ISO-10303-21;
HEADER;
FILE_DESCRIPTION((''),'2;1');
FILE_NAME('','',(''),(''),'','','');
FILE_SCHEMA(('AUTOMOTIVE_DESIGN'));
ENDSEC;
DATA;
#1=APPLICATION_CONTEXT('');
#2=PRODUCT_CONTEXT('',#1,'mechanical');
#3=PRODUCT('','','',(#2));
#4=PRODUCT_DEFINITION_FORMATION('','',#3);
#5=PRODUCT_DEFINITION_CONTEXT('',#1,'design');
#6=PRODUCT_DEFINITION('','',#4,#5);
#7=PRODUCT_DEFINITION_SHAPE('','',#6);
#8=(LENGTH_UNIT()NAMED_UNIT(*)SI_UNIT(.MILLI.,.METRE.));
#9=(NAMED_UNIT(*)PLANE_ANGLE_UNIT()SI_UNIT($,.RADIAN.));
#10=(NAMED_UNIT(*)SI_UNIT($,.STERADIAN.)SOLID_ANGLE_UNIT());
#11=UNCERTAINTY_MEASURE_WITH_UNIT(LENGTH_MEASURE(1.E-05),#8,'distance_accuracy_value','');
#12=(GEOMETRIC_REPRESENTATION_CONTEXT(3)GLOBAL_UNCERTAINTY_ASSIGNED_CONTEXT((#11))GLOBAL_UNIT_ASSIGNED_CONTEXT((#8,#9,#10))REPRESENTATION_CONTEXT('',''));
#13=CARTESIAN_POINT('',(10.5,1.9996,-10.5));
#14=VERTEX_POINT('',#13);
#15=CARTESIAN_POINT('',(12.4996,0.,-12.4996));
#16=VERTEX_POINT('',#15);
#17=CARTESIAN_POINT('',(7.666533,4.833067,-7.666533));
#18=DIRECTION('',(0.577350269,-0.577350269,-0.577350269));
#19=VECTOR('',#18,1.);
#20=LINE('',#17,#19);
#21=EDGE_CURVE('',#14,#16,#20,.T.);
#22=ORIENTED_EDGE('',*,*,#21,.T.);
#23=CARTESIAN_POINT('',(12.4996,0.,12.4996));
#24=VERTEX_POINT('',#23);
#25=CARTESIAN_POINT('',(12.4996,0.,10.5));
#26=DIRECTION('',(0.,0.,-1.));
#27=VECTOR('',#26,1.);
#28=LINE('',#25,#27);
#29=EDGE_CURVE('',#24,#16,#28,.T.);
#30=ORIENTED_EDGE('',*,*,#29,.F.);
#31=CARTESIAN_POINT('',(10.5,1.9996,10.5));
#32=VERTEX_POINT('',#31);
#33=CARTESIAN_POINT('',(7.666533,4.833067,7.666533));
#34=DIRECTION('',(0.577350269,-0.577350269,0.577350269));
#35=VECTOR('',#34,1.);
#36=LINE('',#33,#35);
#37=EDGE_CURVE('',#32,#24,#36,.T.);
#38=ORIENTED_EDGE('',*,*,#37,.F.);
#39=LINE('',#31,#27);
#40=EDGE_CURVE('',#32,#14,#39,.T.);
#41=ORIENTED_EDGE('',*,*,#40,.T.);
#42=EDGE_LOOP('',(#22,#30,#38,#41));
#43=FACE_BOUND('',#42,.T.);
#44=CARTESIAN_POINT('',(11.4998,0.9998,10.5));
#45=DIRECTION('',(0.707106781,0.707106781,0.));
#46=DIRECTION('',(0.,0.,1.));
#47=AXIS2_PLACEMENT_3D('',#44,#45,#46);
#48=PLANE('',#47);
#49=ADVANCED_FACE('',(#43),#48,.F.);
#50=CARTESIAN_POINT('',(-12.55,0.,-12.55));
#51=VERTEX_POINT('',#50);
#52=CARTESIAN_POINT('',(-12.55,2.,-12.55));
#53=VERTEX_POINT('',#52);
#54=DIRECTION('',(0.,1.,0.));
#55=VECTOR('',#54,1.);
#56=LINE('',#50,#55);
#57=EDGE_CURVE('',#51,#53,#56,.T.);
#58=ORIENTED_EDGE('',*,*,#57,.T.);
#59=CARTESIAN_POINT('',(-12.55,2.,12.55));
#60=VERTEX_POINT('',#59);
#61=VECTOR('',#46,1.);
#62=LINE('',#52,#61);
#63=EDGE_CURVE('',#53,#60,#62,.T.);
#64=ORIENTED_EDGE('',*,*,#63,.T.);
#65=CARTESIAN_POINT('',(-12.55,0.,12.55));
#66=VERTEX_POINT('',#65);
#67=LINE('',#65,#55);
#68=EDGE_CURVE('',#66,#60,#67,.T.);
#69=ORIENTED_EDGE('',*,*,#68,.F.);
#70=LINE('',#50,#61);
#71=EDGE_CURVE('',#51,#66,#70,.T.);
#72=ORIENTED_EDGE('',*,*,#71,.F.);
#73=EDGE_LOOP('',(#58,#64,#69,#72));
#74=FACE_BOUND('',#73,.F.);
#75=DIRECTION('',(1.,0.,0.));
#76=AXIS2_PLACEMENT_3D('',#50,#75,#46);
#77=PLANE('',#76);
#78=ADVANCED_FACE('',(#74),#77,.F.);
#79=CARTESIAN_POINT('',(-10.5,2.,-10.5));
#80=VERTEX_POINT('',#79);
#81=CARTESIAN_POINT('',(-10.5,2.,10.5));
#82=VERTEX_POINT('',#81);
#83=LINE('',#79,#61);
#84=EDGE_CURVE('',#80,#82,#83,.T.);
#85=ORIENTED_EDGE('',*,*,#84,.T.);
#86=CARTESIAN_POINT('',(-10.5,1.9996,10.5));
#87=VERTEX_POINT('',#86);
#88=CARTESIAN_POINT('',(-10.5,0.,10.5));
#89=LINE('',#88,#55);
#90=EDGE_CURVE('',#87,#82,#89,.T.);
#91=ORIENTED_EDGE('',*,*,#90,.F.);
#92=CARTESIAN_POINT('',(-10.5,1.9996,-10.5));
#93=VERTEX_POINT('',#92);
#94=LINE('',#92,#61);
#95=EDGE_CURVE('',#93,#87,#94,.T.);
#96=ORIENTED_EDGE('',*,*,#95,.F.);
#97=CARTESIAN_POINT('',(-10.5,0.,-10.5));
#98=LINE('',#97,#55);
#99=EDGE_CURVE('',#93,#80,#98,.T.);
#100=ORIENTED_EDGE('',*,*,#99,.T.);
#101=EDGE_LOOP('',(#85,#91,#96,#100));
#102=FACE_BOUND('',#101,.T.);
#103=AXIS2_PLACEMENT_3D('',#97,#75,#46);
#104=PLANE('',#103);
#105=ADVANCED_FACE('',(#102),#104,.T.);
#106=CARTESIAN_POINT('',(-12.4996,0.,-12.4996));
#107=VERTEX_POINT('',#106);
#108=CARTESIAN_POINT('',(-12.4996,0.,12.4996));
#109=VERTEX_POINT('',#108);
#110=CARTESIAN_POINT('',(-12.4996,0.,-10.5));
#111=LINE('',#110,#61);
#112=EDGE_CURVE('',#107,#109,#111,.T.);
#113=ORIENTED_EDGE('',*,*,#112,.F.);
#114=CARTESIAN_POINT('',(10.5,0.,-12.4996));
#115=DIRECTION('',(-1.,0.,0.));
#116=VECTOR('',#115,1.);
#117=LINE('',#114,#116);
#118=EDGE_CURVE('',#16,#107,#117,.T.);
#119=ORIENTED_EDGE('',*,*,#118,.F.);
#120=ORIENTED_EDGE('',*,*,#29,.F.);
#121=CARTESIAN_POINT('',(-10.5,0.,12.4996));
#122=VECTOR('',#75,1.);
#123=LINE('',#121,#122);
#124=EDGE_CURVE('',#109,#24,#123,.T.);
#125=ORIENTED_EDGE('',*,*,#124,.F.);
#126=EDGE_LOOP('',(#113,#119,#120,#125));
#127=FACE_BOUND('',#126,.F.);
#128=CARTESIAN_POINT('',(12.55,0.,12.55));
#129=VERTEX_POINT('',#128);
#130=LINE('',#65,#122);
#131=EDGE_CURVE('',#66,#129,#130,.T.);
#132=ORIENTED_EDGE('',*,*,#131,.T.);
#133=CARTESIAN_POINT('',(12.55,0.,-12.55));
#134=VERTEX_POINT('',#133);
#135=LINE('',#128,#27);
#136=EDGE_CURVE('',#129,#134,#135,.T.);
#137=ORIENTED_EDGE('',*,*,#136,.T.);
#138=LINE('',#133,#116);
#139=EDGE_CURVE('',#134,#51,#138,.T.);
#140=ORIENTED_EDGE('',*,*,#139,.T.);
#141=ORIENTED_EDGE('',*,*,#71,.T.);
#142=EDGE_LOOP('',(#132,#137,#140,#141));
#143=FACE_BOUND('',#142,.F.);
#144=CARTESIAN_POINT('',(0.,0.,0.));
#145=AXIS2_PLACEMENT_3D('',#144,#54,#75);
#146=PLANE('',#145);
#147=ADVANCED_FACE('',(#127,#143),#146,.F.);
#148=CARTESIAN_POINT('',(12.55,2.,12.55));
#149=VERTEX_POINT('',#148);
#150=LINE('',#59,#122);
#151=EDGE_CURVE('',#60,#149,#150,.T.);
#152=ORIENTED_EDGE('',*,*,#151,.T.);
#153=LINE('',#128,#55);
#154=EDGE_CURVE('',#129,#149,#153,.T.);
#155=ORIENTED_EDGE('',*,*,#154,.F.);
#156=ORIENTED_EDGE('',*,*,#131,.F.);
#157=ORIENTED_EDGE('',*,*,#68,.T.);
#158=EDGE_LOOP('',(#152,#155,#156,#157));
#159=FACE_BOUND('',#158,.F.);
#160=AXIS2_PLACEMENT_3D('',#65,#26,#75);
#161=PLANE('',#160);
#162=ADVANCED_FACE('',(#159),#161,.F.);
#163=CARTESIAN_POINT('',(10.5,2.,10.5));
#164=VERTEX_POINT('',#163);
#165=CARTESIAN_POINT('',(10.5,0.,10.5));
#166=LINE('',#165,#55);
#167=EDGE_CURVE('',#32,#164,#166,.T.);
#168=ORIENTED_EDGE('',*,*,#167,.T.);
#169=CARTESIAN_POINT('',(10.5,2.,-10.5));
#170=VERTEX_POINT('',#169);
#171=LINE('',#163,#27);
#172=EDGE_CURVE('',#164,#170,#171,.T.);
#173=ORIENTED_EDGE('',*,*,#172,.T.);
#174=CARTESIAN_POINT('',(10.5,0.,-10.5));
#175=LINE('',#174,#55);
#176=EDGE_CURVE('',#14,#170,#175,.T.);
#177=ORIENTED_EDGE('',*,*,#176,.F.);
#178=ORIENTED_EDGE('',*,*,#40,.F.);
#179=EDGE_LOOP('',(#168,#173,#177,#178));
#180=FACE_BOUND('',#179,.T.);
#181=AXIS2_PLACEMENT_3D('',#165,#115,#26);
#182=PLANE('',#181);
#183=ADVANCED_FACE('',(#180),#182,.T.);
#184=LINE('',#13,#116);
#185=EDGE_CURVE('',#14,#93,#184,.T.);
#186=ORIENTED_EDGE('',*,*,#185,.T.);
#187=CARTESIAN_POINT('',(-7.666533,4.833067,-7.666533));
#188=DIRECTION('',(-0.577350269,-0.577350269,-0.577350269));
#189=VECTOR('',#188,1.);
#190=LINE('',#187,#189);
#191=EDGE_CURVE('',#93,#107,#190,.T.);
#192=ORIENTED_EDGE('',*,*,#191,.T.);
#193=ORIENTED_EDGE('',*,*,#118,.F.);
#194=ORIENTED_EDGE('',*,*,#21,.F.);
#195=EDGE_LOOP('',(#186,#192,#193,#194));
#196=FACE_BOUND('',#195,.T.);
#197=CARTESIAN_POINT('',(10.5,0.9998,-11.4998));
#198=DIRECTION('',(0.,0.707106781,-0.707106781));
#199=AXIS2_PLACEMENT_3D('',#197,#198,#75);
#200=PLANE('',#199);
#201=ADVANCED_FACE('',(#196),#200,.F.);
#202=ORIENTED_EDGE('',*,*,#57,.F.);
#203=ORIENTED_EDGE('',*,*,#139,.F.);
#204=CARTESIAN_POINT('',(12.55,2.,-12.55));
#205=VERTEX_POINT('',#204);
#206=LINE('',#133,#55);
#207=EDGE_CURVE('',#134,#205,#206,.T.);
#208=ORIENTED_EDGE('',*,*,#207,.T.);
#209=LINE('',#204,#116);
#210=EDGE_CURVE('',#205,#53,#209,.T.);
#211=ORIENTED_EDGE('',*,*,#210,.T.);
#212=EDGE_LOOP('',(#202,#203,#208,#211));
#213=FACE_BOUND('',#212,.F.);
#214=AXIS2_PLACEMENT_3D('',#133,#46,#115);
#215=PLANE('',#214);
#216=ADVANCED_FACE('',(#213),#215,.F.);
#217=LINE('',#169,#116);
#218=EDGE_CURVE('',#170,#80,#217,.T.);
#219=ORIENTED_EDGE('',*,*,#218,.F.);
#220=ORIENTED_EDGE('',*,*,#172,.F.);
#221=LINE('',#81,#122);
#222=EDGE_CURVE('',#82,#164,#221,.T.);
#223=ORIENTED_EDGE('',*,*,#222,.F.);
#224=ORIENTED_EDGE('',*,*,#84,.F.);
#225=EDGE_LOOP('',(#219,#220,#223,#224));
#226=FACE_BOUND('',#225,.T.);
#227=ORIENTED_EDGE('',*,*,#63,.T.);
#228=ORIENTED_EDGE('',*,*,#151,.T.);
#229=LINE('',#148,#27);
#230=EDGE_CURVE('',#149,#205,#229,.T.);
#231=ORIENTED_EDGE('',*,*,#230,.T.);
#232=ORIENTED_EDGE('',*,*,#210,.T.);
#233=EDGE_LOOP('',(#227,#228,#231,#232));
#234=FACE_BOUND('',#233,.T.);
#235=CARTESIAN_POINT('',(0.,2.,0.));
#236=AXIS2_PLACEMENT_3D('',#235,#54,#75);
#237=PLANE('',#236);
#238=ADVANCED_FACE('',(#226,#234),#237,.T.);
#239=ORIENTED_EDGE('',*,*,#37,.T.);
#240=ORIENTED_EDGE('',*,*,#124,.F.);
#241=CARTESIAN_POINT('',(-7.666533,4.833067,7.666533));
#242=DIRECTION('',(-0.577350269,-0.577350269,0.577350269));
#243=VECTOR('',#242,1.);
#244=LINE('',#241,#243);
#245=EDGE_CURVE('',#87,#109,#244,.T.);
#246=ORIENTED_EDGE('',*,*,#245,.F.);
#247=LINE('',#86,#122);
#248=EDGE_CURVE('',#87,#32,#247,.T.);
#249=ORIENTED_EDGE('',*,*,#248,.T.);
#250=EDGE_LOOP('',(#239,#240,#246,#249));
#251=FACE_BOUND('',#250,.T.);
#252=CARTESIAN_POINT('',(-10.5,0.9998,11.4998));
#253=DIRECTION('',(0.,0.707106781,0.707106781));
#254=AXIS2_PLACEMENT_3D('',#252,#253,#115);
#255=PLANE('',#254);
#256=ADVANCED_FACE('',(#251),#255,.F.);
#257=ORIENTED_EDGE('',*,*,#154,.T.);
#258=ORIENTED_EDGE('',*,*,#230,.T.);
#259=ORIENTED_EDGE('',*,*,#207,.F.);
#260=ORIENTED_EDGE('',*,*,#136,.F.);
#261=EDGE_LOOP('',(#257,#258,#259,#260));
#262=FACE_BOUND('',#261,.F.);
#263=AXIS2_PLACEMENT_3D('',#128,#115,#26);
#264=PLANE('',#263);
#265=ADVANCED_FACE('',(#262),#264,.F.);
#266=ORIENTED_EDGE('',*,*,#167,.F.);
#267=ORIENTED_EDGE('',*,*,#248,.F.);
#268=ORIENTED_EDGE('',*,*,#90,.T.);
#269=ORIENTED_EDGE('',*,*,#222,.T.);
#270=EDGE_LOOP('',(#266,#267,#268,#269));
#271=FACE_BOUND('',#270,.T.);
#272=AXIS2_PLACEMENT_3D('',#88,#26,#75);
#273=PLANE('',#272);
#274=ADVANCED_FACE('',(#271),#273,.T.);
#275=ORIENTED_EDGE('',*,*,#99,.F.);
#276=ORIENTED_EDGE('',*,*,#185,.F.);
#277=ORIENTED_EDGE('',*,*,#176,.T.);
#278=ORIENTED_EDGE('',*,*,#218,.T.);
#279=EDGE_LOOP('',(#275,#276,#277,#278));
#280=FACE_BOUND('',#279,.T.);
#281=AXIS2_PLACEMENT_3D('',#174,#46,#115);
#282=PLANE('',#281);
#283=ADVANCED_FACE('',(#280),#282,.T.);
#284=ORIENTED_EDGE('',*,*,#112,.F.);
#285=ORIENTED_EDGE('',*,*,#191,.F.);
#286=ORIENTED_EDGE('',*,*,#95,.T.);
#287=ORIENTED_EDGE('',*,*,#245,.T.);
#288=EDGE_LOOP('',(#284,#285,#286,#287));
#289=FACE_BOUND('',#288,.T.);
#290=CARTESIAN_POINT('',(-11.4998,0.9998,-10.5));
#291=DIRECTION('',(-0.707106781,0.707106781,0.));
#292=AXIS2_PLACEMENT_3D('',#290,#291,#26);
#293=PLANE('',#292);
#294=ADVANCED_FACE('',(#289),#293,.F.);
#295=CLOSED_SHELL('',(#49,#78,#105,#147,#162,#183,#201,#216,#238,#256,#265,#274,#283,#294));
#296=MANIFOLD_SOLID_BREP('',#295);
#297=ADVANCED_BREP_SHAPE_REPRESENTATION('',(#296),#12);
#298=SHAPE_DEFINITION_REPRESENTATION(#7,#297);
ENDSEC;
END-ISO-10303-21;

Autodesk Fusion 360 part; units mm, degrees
sketch "Sketch1" plane through (0, 0, 0) normal (0, 1, 0) x (1, 0, 0)
  line L0 (-12.55, -12.55) -> (12.55, -12.55)
  line L1 (12.55, -12.55) -> (12.55, 12.55)
  line L2 (12.55, 12.55) -> (-12.55, 12.55)
  line L3 (-12.55, 12.55) -> (-12.55, -12.55)
  line L4 (-12.55, -12.55) -> (12.55, 12.55) construction
  line L5 (12.55, -12.55) -> (-12.55, 12.55) construction
  line L6 (-10.5, -10.5) -> (10.5, -10.5)
  line L7 (10.5, -10.5) -> (10.5, 10.5)
  line L8 (10.5, 10.5) -> (-10.5, 10.5)
  line L9 (-10.5, 10.5) -> (-10.5, -10.5)
  line L10 (-10.5, -10.5) -> (10.5, 10.5) construction
  line L11 (10.5, -10.5) -> (-10.5, 10.5) construction
  dimension "d1" = 25.1
  dimension "d2" = 25.1
  dimension "d3" = 21
  dimension "d4" = 21
extrude "Extrude1" add sketch "Sketch1" along normal blind 2
chamfer "Chamfer1" distance 2 angle 45 4 edges at (-10.5, 0, 0) (0, 0, 10.5) (10.5, 0, 0) (0, 0, -10.5) measured on face at (-10.5, 0.6667, -3.5) measured on face at (-3.5, 0.6667, 10.5) measured on face at (10.5, 0.6667, 3.5) measured on face at (3.5, 0.6667, -10.5)
